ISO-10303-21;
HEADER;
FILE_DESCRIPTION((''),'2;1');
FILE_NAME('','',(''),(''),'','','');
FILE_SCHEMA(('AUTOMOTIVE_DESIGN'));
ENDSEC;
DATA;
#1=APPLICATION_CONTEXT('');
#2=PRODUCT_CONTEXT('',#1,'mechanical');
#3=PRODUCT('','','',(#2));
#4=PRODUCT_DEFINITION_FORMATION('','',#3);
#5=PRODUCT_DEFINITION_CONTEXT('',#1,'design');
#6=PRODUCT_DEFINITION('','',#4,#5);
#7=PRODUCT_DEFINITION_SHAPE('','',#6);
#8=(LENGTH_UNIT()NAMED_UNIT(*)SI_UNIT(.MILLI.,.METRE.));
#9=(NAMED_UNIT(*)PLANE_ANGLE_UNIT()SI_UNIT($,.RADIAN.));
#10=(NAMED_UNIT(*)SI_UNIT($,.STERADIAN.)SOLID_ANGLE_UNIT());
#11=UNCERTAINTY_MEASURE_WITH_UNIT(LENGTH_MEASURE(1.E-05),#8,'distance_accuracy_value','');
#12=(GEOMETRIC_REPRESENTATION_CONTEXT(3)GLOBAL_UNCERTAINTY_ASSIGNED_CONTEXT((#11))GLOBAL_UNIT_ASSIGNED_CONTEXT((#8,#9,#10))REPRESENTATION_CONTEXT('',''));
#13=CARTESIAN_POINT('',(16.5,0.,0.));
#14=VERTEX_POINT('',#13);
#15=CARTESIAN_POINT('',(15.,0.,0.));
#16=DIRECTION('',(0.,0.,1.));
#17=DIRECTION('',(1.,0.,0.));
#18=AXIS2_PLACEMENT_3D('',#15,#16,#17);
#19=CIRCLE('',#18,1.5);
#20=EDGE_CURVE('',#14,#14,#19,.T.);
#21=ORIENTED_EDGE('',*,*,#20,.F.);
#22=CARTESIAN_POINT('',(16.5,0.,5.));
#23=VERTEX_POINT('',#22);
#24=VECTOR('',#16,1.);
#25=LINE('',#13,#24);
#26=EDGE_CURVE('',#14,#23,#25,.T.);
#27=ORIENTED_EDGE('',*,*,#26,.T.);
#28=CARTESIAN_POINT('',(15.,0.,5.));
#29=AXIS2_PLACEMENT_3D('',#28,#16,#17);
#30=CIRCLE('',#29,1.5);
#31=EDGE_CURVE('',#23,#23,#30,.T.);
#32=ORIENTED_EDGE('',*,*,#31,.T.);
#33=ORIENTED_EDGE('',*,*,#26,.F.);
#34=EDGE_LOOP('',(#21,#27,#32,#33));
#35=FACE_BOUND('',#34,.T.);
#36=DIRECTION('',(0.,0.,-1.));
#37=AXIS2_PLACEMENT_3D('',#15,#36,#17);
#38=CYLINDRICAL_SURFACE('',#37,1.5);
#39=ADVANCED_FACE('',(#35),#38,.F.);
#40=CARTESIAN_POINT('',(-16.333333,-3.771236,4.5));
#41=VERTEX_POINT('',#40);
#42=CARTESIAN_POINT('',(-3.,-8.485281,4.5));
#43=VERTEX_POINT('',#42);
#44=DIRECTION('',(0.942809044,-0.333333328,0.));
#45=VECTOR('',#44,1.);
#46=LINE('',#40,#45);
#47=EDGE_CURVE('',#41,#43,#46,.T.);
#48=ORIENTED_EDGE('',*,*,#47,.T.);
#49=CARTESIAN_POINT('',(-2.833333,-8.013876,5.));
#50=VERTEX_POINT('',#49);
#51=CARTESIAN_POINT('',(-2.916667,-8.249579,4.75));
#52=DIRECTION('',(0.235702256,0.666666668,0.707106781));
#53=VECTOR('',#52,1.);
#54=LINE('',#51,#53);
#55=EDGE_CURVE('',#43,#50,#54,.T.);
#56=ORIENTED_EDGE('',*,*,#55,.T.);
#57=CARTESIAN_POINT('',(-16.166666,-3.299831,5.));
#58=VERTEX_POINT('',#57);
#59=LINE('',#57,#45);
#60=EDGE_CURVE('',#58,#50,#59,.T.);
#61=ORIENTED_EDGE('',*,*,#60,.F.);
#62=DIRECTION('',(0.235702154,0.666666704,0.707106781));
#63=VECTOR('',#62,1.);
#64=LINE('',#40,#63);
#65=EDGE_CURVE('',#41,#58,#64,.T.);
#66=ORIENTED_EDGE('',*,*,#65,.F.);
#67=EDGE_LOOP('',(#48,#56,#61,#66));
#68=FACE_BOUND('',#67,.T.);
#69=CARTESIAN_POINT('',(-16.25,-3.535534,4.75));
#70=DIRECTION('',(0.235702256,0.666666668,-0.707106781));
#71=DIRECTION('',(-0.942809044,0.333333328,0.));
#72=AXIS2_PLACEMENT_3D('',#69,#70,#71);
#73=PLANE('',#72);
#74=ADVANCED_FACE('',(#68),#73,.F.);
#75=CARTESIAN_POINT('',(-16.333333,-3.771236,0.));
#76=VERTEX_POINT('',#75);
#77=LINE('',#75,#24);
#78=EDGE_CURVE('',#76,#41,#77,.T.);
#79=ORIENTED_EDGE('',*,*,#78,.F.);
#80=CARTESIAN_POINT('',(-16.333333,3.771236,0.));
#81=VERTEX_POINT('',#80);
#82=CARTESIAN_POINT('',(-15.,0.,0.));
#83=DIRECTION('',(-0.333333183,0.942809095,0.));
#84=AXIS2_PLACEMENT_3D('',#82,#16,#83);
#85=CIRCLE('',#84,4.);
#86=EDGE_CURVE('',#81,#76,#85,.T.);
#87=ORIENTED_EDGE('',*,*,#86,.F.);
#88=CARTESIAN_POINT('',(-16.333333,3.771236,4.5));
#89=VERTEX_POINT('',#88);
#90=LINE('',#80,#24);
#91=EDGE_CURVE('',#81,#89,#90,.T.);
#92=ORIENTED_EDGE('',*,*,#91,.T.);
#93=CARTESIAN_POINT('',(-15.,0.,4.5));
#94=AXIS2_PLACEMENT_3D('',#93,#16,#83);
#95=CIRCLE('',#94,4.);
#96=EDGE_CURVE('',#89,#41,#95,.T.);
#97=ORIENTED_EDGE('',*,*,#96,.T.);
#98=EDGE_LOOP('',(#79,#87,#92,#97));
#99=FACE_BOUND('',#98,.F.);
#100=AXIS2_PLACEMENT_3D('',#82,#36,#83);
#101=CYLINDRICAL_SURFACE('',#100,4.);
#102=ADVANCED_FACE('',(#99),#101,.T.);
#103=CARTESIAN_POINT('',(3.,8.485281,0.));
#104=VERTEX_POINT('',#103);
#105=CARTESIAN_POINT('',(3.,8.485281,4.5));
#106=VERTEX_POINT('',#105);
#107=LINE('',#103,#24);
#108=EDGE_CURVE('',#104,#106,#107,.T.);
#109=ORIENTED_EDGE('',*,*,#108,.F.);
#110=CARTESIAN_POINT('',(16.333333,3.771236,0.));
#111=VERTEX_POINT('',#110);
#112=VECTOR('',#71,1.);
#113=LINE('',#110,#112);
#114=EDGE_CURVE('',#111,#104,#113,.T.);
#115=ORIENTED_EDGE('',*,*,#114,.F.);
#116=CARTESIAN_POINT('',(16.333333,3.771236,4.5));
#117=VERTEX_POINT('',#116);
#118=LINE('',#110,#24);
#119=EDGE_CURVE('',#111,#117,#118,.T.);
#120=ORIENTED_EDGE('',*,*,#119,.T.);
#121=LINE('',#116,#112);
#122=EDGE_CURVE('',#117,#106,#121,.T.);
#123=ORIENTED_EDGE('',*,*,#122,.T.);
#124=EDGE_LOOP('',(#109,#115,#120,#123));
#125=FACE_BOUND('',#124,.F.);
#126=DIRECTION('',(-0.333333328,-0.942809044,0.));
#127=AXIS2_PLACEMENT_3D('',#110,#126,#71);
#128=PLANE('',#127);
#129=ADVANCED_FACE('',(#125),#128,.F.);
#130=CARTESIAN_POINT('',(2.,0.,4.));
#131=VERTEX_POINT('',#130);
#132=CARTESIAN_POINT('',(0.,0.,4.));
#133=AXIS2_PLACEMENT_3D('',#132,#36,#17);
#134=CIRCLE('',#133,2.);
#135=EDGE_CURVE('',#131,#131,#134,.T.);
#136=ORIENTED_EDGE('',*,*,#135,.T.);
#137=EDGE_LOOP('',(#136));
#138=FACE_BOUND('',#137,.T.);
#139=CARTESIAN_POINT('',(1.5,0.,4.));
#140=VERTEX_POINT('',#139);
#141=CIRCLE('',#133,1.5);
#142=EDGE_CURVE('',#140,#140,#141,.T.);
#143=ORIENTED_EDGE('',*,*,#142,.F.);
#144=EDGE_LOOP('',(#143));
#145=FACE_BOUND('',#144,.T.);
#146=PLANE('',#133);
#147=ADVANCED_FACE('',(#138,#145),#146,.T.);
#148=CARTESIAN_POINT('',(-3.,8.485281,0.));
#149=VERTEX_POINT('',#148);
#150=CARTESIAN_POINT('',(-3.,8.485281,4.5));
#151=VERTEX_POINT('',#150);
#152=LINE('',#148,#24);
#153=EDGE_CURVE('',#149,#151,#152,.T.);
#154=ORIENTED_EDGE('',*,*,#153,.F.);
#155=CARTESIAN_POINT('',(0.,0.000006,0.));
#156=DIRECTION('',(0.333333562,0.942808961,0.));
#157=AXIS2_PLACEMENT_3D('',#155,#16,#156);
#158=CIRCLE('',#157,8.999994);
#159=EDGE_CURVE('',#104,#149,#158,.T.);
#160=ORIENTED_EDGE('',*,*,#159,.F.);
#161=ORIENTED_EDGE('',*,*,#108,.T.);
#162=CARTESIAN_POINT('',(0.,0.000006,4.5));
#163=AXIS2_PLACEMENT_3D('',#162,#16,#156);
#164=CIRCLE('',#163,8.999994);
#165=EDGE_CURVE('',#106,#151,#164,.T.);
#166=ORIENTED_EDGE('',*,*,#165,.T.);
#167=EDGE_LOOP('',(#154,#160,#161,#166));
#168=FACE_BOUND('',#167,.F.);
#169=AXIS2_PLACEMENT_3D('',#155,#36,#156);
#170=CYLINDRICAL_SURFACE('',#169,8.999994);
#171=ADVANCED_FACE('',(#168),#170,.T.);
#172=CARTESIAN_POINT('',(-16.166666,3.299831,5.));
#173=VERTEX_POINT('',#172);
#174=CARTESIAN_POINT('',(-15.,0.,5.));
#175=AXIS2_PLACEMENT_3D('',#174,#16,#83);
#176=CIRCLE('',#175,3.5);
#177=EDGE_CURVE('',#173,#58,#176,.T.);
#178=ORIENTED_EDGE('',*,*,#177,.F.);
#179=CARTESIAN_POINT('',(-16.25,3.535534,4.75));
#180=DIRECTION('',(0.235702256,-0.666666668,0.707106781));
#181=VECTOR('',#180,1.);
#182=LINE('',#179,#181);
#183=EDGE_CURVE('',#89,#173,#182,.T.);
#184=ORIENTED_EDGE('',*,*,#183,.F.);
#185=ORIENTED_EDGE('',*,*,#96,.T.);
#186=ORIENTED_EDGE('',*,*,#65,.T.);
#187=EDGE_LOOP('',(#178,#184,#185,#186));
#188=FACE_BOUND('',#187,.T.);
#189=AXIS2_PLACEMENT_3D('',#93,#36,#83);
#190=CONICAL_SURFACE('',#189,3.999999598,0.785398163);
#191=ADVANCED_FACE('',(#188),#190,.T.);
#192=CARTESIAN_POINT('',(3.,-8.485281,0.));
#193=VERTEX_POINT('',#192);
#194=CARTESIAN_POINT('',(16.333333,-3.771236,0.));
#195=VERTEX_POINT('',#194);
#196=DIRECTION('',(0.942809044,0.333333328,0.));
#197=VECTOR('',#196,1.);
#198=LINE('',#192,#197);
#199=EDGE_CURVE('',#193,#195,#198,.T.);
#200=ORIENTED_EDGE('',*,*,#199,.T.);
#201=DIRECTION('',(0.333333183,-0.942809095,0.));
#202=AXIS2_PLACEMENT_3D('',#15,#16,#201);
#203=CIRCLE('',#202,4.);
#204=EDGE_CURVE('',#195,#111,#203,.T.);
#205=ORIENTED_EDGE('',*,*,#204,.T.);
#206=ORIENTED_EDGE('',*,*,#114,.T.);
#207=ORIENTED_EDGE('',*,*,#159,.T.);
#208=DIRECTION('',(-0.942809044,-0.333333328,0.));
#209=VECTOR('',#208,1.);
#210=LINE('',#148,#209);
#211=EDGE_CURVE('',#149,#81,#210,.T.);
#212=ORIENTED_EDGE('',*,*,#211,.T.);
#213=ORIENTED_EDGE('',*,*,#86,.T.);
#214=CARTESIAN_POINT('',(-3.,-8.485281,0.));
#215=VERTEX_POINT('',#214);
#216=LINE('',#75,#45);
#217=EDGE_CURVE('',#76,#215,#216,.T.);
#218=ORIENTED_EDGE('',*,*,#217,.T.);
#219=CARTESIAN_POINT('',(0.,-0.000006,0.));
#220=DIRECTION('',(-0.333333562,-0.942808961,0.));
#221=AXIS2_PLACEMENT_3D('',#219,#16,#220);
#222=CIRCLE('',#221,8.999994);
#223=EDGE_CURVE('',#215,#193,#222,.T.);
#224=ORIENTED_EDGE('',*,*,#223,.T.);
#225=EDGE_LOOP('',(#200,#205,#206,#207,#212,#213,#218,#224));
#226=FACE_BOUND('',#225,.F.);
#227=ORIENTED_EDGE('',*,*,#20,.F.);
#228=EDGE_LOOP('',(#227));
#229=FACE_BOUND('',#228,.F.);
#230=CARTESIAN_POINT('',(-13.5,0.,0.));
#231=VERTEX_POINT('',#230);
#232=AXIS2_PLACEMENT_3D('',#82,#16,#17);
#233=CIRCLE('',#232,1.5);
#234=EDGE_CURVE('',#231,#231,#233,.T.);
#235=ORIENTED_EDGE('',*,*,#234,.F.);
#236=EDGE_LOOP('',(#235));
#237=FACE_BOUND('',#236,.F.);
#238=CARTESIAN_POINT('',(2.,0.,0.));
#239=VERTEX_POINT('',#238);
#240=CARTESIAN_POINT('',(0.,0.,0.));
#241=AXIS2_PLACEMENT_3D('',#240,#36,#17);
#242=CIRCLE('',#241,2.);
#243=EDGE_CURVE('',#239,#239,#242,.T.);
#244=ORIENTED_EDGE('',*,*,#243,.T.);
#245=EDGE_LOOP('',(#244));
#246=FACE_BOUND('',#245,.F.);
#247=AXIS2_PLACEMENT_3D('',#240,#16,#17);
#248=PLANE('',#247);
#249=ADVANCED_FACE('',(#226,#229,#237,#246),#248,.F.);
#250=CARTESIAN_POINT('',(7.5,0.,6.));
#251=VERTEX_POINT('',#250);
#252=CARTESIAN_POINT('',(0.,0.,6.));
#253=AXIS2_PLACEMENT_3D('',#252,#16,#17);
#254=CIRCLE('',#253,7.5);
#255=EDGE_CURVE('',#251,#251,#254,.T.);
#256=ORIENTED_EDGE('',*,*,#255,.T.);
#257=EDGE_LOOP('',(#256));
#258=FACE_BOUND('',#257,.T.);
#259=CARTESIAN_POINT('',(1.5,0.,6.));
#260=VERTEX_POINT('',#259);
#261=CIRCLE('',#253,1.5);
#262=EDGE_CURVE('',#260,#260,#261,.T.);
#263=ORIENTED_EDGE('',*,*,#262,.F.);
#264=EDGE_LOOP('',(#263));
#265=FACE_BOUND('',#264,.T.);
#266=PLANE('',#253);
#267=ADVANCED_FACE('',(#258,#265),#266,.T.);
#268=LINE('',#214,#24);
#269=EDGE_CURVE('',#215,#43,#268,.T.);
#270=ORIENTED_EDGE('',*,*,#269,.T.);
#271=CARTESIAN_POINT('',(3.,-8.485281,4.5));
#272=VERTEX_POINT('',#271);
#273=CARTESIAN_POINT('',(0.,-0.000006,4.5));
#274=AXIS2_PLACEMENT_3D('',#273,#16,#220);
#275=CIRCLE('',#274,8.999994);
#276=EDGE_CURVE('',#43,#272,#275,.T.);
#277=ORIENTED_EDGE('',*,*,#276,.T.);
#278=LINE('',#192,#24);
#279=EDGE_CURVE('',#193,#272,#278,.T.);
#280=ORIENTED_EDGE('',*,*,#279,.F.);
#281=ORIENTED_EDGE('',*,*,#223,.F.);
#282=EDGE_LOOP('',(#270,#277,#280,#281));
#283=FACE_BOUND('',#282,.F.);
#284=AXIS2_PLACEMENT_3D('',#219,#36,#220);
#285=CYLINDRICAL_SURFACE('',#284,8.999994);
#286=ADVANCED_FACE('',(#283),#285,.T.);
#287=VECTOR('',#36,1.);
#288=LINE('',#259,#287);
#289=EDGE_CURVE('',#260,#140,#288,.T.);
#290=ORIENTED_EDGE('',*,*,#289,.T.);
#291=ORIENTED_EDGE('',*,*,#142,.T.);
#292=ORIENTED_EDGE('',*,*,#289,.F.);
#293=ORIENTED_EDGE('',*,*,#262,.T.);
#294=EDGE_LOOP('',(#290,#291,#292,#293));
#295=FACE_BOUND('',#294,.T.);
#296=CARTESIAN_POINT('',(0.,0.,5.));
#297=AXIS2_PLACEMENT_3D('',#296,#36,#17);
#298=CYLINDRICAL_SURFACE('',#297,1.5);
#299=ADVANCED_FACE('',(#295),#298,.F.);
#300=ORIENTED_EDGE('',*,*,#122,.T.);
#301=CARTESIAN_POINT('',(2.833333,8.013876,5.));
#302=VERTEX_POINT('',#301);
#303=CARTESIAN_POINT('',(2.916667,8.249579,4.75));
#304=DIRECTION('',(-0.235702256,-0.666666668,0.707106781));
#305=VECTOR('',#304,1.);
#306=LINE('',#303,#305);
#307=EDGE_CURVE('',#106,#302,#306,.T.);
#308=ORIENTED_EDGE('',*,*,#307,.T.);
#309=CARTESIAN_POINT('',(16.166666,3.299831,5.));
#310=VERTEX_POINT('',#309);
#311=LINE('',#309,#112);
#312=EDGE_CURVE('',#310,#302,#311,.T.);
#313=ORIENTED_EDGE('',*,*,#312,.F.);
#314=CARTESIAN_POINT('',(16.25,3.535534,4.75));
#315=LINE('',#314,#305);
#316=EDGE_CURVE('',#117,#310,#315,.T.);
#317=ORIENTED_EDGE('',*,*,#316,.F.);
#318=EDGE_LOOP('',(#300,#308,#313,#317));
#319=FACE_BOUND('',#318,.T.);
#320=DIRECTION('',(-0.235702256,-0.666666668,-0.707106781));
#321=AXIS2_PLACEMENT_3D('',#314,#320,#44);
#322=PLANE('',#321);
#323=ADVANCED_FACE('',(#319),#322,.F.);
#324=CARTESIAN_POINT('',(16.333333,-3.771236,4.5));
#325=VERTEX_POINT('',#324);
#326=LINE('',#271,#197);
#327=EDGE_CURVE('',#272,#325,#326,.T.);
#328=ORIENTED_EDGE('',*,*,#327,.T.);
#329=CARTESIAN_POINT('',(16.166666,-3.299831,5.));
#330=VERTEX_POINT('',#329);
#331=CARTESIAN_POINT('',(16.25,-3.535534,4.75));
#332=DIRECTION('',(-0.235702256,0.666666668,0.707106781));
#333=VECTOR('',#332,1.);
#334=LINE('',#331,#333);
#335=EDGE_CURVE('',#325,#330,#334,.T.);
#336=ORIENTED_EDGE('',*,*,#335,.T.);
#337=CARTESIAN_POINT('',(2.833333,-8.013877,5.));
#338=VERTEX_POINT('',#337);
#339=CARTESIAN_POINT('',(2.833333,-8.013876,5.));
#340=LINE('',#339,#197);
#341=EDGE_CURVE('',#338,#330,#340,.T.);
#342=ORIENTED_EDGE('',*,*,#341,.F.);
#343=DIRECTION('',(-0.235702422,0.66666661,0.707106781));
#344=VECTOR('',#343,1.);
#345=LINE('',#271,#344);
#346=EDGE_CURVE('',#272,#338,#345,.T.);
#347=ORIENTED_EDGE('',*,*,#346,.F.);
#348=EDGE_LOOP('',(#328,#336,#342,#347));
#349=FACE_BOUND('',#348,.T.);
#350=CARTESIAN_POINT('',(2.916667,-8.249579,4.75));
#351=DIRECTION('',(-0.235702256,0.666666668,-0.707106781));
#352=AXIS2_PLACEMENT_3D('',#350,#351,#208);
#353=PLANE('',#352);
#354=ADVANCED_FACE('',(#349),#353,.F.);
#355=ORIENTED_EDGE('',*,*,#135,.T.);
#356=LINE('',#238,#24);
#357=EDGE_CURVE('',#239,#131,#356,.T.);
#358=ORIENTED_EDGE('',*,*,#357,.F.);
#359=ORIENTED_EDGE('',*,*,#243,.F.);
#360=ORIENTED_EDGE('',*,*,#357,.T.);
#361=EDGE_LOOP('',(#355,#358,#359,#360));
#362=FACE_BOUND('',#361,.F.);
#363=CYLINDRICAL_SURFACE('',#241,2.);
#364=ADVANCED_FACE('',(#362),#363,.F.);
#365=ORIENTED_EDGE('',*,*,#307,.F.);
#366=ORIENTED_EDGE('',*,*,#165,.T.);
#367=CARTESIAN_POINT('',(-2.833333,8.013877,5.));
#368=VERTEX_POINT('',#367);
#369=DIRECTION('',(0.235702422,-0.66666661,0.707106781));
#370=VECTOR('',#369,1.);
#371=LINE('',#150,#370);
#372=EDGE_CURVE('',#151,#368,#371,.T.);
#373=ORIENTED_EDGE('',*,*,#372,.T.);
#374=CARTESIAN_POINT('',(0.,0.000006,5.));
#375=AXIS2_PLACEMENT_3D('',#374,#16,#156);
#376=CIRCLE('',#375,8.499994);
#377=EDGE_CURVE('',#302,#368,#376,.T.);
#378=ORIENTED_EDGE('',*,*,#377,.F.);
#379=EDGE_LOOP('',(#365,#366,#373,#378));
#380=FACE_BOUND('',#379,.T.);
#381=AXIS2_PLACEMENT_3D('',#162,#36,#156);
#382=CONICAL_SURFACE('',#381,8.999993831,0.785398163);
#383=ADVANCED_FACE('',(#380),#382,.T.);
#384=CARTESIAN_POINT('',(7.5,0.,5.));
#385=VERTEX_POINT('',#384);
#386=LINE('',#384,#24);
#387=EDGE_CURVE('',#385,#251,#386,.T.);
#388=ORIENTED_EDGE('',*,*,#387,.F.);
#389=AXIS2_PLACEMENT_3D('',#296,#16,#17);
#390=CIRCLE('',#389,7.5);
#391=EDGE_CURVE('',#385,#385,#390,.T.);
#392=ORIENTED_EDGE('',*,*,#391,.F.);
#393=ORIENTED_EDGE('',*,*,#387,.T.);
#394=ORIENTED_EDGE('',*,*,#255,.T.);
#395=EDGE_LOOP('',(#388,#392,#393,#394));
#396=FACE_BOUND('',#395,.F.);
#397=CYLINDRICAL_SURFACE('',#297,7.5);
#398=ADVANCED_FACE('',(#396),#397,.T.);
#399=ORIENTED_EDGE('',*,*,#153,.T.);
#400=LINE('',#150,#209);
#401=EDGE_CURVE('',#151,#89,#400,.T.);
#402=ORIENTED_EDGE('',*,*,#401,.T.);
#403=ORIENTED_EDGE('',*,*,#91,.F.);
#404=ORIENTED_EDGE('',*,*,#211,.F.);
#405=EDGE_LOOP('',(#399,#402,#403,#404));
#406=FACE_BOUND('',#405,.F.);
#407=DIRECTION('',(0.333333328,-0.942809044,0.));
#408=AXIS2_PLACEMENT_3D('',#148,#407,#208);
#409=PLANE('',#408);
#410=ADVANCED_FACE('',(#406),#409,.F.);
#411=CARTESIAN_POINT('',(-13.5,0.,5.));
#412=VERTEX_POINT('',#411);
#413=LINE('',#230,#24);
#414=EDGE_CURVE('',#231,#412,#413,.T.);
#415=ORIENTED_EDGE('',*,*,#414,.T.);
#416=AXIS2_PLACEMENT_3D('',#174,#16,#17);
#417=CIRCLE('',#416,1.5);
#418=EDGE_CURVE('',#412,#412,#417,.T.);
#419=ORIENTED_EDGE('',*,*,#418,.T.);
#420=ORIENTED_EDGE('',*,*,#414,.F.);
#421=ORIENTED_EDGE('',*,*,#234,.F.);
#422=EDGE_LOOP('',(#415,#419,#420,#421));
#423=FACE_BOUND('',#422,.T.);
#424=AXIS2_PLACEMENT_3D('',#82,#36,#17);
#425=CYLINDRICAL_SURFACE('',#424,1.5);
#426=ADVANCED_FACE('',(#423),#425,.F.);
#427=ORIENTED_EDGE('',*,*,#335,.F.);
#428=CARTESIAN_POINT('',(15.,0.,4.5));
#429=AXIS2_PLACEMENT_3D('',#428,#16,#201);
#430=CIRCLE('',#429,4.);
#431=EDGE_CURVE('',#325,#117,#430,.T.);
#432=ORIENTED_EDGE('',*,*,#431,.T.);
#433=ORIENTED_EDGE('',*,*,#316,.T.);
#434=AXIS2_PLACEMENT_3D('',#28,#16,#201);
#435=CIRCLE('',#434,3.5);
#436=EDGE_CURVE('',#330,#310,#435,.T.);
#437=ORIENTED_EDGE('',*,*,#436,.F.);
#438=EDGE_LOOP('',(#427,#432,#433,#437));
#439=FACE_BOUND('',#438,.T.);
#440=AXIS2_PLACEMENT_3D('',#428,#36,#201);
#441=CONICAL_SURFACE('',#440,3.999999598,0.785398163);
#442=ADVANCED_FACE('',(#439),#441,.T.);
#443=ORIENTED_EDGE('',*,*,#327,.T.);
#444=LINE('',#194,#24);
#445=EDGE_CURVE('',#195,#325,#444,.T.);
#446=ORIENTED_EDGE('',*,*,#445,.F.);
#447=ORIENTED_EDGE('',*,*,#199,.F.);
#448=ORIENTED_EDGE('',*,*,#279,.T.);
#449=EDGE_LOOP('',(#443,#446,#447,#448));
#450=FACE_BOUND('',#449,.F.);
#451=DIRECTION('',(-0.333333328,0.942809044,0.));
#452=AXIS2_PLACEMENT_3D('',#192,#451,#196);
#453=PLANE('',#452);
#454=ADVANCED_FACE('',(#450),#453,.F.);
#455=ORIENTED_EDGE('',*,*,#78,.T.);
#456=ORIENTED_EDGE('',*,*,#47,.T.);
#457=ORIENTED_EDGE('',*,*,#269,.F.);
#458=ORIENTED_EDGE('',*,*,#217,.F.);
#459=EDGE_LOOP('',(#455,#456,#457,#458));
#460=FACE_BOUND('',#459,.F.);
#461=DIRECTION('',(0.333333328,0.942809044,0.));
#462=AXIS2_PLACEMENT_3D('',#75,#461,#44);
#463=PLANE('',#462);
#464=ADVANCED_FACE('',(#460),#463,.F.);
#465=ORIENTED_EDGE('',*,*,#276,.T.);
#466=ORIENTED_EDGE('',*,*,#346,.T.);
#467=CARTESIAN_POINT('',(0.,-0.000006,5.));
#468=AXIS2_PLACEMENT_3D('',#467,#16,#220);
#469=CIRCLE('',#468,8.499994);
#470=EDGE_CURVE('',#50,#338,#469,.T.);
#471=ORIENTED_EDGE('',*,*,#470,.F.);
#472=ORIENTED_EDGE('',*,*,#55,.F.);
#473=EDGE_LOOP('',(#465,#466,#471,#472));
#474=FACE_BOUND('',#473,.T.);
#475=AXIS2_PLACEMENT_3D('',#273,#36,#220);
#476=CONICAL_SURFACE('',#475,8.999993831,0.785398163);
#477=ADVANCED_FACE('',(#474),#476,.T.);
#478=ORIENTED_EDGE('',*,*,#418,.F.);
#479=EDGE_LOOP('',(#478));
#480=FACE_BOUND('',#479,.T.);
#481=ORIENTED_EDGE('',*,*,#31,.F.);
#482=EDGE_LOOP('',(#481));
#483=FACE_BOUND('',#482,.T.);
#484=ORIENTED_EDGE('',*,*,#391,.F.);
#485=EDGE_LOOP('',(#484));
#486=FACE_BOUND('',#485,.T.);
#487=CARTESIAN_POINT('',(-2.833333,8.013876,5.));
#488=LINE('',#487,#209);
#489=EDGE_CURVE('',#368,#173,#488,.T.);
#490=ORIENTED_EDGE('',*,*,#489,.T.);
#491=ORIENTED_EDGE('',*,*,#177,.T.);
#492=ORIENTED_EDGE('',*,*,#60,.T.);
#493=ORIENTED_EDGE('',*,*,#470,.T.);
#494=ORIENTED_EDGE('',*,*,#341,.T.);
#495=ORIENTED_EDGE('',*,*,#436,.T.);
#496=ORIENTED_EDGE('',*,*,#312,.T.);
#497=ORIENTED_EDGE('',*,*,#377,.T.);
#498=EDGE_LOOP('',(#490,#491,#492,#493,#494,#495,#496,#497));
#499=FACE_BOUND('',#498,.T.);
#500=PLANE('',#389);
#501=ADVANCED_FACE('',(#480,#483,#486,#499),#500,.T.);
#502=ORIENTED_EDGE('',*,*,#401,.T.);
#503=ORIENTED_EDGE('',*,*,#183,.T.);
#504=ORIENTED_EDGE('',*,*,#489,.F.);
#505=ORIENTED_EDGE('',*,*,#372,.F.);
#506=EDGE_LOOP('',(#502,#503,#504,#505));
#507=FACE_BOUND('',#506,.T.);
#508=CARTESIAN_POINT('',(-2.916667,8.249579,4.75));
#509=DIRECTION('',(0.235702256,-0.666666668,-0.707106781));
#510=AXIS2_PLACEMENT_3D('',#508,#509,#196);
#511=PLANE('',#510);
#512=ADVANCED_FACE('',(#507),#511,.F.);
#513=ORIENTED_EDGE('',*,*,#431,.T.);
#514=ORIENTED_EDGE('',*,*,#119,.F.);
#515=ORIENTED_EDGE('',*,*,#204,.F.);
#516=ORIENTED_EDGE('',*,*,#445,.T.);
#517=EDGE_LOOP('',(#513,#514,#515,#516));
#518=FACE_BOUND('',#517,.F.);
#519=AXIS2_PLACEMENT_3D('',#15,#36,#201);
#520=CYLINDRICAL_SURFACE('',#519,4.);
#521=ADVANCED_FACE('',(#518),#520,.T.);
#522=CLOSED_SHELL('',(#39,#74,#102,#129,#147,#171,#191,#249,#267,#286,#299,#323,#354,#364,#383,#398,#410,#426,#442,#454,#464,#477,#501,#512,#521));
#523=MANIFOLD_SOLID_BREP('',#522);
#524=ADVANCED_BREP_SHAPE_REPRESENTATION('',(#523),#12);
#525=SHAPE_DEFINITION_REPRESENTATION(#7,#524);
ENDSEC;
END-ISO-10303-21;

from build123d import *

# Parameters (mm, degrees)
F0_R     = 1.5
F1_DEPTH = 5
F2_R     = 1.5
F3_DEPTH = 5.001
F4_R     = 2
F5_DEPTH = 4
F6_R     = 7.5
F6_R_2   = 1.5
F7_DEPTH = 1
F8_SIZE  = 0.5


with BuildPart() as f1:
    # F0 (on Top) → F1 (new body)
    with BuildSketch(Plane.XY):
        with BuildLine():
            Line((-3, 8.485281), (-16.333333, 3.771236))
            ThreePointArc((-16.333333, 3.771236), (-19, 0), (-16.333333, -3.771236))
            Line((-16.333333, -3.771236), (-3, -8.485281))
            ThreePointArc((-3, -8.485281), (0, -9), (3, -8.485281))
            Line((3, -8.485281), (16.333333, -3.771236))
            ThreePointArc((16.333333, -3.771236), (19, 0), (16.333333, 3.771236))
            Line((16.333333, 3.771236), (3, 8.485281))
            ThreePointArc((3, 8.485281), (0, 9), (-3, 8.485281))
        make_face()
        with Locations((-15, 0)):
            Circle(F0_R, mode=Mode.SUBTRACT)
        with Locations((15, 0)):
            Circle(F0_R, mode=Mode.SUBTRACT)
    extrude(amount=F1_DEPTH)

    # F2 (on face) → F3 (cut, through all)
    with BuildSketch(Plane(origin=(0, 0, 0), x_dir=(1, 0, 0), z_dir=(0, 0, -1))):
        Circle(F2_R)
    extrude(amount=-F3_DEPTH, mode=Mode.SUBTRACT)

    # F4 (on face) → F5 (cut)
    with BuildSketch(Plane(origin=(0, 0, 0), x_dir=(1, 0, 0), z_dir=(0, 0, -1))):
        Circle(F4_R)
    extrude(amount=-F5_DEPTH, mode=Mode.SUBTRACT)

    # F6 (on face) → F7 (join)
    with BuildSketch(Plane.XY.offset(5)):
        Circle(F6_R)
        Circle(F6_R_2, mode=Mode.SUBTRACT)
    extrude(amount=F7_DEPTH)

    # F8
    f8_edges = [f1.edges().sort_by_distance(p)[0] for p in [
        (9.666667, 6.128259, 5),
    ]]
    chamfer(f8_edges, length=F8_SIZE)


solid = f1.part
